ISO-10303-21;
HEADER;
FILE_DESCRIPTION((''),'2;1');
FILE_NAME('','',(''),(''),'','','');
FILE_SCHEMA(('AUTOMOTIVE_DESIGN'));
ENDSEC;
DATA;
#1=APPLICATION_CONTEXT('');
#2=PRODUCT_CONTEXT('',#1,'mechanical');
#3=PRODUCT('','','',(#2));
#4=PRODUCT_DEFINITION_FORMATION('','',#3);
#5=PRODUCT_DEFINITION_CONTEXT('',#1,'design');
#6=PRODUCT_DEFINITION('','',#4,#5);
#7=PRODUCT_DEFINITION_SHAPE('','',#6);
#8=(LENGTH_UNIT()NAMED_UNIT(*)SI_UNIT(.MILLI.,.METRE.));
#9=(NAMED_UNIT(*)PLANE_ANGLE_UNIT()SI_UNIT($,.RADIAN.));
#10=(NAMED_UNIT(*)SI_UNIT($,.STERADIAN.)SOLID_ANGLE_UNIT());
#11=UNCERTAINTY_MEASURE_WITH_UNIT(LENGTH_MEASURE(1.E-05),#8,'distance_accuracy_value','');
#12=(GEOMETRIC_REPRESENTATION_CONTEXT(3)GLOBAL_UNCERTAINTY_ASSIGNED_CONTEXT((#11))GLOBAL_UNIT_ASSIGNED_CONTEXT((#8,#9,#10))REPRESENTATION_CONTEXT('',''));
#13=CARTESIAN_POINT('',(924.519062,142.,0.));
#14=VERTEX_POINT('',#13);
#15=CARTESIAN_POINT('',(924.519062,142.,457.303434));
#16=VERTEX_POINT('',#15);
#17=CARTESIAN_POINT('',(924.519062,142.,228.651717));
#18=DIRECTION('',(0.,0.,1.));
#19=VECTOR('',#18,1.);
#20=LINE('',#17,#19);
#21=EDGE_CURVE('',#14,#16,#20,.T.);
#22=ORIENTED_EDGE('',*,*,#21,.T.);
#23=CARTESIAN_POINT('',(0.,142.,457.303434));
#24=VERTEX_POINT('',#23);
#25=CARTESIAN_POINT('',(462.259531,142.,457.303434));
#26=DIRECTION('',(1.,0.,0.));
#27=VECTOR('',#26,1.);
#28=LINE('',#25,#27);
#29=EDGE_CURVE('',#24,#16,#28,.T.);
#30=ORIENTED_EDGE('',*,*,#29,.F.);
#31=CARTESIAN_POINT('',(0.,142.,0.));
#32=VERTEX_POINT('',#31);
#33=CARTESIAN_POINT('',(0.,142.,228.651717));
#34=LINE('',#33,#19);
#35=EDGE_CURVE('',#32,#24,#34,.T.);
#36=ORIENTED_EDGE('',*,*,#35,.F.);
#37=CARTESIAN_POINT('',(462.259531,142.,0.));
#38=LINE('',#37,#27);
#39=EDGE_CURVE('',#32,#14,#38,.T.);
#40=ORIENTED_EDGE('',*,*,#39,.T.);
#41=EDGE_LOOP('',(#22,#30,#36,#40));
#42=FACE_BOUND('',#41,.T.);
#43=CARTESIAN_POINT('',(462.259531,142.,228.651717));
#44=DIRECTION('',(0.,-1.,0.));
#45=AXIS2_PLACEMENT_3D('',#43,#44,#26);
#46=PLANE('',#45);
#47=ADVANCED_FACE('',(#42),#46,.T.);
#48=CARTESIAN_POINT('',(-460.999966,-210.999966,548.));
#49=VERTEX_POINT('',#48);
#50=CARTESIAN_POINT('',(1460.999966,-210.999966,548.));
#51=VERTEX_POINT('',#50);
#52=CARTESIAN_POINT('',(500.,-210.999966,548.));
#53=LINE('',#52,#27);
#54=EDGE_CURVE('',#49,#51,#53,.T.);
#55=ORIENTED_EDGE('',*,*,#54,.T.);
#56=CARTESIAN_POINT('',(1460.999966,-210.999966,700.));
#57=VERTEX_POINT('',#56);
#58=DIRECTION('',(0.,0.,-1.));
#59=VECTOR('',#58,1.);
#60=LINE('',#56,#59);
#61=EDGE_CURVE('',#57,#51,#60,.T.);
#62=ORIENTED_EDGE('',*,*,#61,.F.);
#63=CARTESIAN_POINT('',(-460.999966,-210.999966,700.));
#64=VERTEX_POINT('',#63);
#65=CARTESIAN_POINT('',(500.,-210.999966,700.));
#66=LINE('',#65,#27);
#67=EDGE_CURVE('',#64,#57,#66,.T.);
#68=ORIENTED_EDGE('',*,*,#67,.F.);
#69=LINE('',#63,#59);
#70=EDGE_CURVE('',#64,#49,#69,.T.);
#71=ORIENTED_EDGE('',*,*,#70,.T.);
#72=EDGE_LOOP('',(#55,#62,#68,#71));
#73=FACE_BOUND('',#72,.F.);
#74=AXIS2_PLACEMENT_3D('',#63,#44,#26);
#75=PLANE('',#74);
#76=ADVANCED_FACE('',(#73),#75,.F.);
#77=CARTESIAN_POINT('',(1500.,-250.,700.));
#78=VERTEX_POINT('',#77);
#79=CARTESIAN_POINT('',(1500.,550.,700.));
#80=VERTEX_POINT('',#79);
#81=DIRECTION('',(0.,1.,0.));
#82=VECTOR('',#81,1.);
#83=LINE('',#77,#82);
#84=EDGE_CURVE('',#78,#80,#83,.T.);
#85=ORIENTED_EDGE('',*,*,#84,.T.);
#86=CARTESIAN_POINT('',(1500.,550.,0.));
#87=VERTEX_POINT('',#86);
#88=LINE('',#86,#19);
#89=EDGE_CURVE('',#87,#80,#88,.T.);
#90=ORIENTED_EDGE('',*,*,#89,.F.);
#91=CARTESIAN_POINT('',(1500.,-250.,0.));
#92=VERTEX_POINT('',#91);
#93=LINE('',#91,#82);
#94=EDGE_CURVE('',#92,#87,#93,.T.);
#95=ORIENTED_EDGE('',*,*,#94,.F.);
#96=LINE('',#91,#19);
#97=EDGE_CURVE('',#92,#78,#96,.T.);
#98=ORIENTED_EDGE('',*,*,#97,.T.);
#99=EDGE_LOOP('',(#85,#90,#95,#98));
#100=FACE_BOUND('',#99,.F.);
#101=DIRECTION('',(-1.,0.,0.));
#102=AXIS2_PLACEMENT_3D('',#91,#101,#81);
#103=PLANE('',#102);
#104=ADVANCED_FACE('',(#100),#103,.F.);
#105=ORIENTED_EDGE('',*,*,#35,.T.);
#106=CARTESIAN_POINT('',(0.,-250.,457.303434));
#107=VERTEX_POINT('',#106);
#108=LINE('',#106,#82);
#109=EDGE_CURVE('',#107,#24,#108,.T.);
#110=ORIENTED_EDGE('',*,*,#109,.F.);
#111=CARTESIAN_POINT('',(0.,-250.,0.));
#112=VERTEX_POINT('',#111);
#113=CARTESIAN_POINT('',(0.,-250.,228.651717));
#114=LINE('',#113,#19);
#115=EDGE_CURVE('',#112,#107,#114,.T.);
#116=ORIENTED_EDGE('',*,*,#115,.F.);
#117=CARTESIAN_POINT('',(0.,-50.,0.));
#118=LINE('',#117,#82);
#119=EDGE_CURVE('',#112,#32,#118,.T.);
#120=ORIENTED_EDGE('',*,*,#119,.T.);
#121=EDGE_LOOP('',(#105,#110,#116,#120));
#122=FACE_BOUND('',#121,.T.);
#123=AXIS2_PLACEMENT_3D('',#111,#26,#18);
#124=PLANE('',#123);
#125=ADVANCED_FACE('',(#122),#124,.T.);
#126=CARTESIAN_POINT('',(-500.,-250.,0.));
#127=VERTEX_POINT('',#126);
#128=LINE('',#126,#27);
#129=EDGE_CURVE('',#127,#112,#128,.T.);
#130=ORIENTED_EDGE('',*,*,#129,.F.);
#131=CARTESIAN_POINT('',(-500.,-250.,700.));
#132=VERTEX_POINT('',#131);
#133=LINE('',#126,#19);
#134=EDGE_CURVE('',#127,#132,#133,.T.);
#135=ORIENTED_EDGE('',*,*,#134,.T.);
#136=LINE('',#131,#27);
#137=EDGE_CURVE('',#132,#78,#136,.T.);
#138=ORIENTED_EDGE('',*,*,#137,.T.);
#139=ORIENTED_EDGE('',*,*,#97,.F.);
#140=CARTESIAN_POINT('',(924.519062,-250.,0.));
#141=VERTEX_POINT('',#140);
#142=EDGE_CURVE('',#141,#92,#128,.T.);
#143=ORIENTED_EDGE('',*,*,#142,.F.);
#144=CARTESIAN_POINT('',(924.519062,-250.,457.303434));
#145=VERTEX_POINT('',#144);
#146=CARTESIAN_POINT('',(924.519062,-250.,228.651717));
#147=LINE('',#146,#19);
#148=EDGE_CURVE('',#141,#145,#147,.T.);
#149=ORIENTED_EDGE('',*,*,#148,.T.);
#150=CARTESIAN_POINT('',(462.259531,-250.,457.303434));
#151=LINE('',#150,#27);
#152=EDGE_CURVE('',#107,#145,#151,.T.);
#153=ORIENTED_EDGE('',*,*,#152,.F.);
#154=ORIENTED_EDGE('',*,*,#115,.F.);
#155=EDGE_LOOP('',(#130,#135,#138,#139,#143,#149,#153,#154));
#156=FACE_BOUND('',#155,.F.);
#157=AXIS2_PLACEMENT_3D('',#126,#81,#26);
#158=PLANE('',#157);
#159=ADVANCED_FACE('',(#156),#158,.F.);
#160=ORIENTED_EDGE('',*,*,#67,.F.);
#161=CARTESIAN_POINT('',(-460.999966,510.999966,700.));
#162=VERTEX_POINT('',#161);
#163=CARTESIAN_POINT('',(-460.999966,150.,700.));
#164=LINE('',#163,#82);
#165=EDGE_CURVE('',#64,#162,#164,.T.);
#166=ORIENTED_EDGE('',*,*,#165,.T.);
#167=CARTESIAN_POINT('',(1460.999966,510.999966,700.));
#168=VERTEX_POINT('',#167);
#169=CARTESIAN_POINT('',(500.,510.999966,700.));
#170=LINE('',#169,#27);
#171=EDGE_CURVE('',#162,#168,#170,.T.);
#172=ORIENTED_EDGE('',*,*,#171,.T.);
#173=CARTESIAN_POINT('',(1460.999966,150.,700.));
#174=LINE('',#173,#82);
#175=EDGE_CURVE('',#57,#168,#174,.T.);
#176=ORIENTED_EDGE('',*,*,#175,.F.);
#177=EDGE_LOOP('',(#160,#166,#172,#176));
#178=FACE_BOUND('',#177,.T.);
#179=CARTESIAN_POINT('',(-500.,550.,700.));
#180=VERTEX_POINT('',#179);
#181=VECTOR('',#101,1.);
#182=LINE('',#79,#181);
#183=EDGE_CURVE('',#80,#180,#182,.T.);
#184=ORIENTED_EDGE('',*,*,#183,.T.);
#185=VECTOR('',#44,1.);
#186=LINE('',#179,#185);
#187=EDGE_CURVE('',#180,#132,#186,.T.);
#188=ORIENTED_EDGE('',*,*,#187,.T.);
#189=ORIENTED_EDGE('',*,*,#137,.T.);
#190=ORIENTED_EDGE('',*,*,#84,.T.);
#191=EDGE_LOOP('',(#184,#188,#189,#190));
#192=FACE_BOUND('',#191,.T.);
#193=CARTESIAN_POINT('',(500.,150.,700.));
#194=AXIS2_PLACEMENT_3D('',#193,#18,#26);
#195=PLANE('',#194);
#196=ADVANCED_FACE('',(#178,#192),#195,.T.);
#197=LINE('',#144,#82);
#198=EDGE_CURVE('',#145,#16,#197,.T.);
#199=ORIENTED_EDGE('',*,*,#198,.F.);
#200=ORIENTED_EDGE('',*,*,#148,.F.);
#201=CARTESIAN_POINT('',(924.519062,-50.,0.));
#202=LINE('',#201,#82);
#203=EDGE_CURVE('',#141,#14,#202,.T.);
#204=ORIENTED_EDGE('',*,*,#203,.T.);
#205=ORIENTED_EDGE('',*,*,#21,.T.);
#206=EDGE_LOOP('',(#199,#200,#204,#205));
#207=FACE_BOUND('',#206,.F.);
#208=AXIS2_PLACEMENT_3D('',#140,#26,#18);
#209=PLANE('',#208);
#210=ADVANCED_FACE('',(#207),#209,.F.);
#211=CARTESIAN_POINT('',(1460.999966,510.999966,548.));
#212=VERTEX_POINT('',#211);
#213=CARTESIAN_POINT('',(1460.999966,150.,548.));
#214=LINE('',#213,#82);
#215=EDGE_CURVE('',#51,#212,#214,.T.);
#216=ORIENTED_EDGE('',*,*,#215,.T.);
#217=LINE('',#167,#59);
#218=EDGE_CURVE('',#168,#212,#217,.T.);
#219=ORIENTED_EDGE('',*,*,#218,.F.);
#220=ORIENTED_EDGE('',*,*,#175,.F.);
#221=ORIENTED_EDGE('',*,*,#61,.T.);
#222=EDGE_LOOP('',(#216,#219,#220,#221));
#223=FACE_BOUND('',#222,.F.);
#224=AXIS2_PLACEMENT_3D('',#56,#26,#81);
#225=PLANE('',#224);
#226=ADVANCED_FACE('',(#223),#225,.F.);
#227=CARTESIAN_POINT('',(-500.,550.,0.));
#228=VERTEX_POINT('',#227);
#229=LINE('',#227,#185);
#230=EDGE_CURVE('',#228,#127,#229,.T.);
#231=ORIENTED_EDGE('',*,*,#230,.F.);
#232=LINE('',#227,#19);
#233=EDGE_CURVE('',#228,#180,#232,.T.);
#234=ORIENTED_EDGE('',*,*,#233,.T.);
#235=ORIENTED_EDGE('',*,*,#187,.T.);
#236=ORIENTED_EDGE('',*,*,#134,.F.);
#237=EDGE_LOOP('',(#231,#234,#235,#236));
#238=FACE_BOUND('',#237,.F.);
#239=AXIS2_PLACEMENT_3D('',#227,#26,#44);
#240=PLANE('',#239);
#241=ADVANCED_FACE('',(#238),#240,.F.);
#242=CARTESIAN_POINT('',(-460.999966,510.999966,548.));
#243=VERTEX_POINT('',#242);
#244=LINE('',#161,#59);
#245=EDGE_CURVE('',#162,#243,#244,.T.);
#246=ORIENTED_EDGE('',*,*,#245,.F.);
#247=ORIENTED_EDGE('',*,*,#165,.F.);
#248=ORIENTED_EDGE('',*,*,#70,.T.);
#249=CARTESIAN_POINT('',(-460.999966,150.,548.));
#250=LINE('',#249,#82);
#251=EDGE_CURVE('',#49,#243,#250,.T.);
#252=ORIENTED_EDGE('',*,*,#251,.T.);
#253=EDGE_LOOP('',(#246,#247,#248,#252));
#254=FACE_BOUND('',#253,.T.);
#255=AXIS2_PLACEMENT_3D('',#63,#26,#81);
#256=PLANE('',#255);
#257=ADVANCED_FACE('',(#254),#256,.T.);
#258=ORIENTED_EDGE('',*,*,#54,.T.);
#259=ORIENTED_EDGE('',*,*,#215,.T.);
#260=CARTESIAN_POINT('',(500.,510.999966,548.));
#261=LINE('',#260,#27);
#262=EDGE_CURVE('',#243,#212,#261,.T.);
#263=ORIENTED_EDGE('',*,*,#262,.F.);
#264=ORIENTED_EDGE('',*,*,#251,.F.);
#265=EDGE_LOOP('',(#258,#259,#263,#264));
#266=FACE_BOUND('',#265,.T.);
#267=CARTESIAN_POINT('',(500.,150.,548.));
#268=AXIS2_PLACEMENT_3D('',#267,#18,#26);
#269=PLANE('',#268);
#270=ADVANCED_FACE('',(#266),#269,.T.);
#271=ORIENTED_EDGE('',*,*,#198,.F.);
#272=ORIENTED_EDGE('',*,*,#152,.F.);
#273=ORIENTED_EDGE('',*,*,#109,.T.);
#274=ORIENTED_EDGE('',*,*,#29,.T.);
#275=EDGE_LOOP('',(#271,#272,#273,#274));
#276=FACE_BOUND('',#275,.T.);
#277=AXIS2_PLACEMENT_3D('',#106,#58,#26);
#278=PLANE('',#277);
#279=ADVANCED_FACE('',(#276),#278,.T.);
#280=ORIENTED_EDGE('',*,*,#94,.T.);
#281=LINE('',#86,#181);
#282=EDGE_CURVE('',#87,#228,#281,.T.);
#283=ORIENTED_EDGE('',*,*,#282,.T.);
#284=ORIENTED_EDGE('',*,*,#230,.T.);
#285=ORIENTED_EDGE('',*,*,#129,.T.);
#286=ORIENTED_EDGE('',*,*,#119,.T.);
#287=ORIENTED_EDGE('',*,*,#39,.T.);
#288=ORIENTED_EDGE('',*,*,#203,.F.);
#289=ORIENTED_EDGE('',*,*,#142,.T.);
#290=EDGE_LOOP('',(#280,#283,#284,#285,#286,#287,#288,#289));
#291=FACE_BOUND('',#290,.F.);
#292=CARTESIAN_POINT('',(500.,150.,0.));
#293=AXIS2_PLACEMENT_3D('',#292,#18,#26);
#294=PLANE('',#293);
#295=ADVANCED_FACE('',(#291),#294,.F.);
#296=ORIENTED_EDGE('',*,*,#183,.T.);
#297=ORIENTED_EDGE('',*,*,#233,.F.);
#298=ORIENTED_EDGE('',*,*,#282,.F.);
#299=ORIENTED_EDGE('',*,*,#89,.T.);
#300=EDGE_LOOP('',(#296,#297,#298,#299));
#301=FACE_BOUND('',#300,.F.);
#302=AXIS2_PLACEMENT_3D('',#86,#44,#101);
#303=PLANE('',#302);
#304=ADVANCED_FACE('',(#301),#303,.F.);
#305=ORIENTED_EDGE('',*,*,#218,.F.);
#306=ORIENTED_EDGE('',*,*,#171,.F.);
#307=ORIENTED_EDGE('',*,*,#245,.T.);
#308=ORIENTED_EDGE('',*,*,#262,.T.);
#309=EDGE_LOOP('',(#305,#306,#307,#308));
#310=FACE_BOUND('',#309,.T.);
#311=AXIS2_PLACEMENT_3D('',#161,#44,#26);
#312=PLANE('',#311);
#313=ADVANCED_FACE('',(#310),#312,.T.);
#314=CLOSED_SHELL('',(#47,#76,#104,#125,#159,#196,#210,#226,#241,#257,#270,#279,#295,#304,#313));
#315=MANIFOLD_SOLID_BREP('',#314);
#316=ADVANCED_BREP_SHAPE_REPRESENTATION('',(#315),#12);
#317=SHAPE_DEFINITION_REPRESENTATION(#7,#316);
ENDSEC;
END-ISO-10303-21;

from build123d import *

# Parameters (mm, degrees)
F1_DEPTH = 700
F2_W     = 924.519062
F2_H     = 457.303435
F3_DEPTH = 392
F4_W     = 1921.999932
F4_H     = 721.999932
F5_DEPTH = 152


with BuildPart() as f1:
    # F0 (on Top) → F1 (new body)
    with BuildSketch(Plane.XY):
        Polygon((-500, -250), (0, -250), (1500, -250), (1500, 0), (1500, 550), (-500, 550), align=None)
    extrude(amount=F1_DEPTH)

    # F2 (on face) → F3 (cut)
    with BuildSketch(Plane.XZ.offset(250)):
        with Locations((462.259531, 228.651717)):
            Rectangle(F2_W, F2_H)
    extrude(amount=-F3_DEPTH, mode=Mode.SUBTRACT)

    # F4 (on face) → F5 (cut)
    with BuildSketch(Plane.XY.offset(700)):
        with Locations((500, 150)):
            Rectangle(F4_W, F4_H)
    extrude(amount=-F5_DEPTH, mode=Mode.SUBTRACT)


solid = f1.part
